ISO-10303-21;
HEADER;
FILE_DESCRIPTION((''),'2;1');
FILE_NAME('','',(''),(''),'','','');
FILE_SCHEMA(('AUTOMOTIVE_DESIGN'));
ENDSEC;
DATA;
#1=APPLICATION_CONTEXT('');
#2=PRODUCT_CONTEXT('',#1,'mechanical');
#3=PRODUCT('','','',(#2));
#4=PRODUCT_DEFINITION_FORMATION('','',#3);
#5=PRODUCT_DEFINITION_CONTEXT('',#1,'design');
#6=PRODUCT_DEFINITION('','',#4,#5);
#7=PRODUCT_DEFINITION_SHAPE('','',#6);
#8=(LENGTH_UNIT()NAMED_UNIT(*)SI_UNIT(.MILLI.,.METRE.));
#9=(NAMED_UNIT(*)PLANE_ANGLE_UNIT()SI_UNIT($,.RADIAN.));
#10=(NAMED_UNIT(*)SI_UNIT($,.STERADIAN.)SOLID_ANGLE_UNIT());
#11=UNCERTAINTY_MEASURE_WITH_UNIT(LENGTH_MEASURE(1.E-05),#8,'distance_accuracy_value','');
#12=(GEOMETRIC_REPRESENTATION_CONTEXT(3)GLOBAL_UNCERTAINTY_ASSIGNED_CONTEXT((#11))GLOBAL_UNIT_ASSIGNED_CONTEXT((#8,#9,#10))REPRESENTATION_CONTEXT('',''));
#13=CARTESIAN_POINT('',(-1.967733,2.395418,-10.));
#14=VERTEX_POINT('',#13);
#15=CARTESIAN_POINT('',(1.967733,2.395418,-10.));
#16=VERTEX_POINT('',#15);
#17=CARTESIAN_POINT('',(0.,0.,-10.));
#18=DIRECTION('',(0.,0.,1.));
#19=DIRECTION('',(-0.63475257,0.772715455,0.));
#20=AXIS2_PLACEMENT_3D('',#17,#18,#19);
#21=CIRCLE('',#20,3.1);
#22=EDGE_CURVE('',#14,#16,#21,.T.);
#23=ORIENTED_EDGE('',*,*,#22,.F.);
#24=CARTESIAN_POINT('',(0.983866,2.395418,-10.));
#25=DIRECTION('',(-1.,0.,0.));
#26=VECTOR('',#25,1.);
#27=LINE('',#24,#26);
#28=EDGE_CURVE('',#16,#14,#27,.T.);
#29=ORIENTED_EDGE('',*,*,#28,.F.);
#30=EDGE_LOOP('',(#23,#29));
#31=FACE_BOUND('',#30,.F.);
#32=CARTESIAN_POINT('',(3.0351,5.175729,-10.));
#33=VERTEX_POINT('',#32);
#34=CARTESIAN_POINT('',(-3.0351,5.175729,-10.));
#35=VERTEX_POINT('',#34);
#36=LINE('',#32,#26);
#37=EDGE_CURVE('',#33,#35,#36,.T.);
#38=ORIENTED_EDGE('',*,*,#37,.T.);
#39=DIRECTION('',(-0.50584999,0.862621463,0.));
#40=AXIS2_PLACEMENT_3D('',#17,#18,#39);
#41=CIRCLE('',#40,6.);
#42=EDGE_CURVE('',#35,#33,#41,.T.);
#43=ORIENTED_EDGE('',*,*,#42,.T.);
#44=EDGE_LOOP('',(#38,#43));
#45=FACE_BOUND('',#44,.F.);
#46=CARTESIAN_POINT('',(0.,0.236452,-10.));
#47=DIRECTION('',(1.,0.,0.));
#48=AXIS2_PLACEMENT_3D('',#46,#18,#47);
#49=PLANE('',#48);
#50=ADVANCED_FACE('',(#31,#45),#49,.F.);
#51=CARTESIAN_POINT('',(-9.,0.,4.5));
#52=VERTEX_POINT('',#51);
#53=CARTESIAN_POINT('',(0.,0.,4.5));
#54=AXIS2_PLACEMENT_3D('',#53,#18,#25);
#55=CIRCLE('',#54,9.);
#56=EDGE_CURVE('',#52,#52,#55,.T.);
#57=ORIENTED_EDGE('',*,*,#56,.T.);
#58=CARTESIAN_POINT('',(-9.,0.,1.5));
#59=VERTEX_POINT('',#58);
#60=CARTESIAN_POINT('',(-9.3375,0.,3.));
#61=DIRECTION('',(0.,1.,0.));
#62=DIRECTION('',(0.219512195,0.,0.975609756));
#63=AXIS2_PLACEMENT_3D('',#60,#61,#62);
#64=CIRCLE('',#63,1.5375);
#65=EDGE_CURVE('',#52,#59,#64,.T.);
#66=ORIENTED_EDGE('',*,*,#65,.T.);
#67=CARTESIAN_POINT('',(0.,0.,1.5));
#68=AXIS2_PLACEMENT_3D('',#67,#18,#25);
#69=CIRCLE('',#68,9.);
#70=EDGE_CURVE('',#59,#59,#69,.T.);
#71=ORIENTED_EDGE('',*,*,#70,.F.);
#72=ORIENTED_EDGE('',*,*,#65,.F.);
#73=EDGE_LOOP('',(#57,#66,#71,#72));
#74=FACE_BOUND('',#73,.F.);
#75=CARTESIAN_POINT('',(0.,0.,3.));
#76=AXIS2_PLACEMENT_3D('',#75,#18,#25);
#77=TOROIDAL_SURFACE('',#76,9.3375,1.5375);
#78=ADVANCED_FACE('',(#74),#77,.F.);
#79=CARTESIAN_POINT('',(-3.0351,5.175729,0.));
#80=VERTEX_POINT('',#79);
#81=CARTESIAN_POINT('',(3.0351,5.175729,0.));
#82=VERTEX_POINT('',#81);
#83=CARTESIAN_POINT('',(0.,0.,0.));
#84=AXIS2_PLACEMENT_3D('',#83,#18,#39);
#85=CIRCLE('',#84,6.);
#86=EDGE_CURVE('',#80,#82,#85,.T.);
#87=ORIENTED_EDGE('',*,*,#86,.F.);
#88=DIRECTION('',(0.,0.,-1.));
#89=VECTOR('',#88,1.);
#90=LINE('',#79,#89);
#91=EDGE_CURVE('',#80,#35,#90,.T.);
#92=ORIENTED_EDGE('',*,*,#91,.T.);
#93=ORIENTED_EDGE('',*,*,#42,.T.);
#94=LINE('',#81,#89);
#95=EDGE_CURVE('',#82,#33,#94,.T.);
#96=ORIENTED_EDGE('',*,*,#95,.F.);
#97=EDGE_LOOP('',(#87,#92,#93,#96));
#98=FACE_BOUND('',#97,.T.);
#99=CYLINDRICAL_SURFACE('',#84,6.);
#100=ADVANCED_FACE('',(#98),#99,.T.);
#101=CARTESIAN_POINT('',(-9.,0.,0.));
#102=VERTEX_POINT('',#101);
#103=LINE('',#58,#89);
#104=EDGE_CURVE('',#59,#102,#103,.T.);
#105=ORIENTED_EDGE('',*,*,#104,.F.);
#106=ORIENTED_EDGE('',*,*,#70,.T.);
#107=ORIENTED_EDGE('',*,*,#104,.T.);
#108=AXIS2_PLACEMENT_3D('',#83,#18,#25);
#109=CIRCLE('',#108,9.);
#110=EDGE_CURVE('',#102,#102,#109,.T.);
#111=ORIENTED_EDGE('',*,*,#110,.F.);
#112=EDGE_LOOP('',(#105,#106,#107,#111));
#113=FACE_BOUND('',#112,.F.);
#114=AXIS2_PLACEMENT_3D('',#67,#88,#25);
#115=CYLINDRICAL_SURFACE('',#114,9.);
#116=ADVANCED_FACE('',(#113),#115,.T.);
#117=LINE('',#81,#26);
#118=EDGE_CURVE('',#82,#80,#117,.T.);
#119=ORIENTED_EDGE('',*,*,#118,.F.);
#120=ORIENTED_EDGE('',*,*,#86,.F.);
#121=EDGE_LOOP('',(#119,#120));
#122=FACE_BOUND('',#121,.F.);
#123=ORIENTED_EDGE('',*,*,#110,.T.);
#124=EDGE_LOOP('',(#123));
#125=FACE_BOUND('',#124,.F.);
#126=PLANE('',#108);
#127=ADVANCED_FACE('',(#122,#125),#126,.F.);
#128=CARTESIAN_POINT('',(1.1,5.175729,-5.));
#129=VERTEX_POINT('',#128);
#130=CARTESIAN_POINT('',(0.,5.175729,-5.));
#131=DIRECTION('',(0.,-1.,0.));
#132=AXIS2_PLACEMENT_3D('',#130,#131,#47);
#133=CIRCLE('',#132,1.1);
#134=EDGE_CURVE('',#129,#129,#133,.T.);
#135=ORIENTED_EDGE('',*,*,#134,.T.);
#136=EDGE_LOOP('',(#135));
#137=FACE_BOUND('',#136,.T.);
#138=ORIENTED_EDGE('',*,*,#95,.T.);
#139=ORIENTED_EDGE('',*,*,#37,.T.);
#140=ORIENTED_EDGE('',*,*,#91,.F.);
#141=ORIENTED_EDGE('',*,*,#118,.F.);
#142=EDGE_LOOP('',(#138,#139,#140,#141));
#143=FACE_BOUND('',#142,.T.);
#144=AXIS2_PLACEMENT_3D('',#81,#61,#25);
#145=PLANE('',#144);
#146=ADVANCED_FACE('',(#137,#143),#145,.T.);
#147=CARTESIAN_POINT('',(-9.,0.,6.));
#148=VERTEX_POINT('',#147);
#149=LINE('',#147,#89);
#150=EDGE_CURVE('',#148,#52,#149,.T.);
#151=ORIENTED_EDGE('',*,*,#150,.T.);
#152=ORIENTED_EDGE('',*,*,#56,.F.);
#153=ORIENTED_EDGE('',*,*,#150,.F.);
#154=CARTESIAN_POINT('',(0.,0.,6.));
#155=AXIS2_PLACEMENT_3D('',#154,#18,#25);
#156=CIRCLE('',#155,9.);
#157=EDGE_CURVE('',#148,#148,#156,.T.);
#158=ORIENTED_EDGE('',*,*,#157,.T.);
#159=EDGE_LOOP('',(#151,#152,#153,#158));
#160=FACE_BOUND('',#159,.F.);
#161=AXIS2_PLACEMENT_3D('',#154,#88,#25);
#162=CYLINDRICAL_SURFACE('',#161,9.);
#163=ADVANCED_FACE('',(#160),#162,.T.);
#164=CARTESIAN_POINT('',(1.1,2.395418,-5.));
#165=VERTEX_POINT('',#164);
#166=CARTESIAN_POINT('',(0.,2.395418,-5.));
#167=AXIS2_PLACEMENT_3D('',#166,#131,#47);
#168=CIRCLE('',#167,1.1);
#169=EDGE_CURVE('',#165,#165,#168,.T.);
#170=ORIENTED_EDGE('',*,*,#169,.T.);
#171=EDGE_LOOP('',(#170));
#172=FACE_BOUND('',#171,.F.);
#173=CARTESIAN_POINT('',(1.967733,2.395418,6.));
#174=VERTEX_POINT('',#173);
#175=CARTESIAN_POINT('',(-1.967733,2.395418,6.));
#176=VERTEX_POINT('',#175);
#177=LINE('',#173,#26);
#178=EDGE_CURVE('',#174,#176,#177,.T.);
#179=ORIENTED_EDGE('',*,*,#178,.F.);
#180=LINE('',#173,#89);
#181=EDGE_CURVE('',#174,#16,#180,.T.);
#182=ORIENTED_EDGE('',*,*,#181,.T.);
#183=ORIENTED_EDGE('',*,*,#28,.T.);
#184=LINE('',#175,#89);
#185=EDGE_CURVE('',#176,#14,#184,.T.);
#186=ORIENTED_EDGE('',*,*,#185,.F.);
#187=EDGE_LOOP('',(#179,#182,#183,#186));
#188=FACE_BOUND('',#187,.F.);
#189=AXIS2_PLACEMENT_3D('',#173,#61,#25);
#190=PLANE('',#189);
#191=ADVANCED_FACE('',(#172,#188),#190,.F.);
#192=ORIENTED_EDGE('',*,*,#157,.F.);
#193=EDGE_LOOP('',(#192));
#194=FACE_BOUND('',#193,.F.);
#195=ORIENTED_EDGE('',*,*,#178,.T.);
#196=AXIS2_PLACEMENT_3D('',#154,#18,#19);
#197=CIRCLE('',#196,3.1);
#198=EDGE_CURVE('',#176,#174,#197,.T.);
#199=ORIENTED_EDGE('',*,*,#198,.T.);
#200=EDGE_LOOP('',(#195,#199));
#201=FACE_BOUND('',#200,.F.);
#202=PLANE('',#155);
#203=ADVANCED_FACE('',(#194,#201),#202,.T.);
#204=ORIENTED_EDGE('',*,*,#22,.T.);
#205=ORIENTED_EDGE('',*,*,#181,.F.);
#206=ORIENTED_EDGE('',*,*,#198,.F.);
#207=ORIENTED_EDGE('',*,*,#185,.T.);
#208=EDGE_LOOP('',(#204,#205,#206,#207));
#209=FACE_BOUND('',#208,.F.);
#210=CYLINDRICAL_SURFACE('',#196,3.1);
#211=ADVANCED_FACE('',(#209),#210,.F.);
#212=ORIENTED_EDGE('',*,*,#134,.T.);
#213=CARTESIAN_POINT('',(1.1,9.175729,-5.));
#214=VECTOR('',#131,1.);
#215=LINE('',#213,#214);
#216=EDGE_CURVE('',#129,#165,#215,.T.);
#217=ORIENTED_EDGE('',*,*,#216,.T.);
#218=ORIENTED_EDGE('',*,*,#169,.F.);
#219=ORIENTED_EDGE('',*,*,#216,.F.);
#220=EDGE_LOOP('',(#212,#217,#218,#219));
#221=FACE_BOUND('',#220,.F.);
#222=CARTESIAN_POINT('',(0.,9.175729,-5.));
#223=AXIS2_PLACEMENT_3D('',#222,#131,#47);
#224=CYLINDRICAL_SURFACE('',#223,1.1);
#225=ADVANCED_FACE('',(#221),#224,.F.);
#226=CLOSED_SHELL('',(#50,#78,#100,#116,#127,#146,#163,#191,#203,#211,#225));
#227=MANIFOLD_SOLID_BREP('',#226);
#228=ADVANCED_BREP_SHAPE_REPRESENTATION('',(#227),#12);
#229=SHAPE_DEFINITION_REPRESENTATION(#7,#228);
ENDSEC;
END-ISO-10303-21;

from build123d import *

# Parameters (mm, degrees)
F4_DEPTH = 10
F5_DEPTH = 16.001
F7_D     = 2.2
F7_DEPTH = 4


with BuildPart() as f1:
    # F0 (on Front) → F1 (revolve)
    with BuildSketch(Plane.XZ):
        with BuildLine():
            Line((-9, 0), (0, 0))
            Line((0, 0), (0, 6))
            Line((0, 6), (-9, 6))
            Line((-9, 6), (-9, 4.5))
            ThreePointArc((-9, 4.5), (-7.8, 3), (-9, 1.5))
            Line((-9, 1.5), (-9, 0))
        make_face()
    revolve(axis=Axis((0, 0, 3), (0, 0, 1)))

    # F3 (on Top) → F4 (join)
    with BuildSketch(Plane.XY):
        with BuildLine():
            Line((3.0351, 5.175729), (-3.0351, 5.175729))
            ThreePointArc((-3.0351, 5.175729), (0, -6), (3.0351, 5.175729))
        make_face()
    extrude(amount=-F4_DEPTH)

    # F2 (on face) → F5 (cut, through all)
    with BuildSketch(Plane.XY.offset(6)):
        with BuildLine():
            Line((1.967733, 2.395418), (-1.967733, 2.395418))
            ThreePointArc((-1.967733, 2.395418), (0, -3.1), (1.967733, 2.395418))
        make_face()
    extrude(amount=-F5_DEPTH, mode=Mode.SUBTRACT)

    # F7
    with Locations(Plane(origin=(0, 5.175729, 0), x_dir=(-1, 0, 0), z_dir=(0, 1, 0))):
        with Locations((0, -5)):
            Hole(F7_D / 2, depth=F7_DEPTH)


solid = f1.part
